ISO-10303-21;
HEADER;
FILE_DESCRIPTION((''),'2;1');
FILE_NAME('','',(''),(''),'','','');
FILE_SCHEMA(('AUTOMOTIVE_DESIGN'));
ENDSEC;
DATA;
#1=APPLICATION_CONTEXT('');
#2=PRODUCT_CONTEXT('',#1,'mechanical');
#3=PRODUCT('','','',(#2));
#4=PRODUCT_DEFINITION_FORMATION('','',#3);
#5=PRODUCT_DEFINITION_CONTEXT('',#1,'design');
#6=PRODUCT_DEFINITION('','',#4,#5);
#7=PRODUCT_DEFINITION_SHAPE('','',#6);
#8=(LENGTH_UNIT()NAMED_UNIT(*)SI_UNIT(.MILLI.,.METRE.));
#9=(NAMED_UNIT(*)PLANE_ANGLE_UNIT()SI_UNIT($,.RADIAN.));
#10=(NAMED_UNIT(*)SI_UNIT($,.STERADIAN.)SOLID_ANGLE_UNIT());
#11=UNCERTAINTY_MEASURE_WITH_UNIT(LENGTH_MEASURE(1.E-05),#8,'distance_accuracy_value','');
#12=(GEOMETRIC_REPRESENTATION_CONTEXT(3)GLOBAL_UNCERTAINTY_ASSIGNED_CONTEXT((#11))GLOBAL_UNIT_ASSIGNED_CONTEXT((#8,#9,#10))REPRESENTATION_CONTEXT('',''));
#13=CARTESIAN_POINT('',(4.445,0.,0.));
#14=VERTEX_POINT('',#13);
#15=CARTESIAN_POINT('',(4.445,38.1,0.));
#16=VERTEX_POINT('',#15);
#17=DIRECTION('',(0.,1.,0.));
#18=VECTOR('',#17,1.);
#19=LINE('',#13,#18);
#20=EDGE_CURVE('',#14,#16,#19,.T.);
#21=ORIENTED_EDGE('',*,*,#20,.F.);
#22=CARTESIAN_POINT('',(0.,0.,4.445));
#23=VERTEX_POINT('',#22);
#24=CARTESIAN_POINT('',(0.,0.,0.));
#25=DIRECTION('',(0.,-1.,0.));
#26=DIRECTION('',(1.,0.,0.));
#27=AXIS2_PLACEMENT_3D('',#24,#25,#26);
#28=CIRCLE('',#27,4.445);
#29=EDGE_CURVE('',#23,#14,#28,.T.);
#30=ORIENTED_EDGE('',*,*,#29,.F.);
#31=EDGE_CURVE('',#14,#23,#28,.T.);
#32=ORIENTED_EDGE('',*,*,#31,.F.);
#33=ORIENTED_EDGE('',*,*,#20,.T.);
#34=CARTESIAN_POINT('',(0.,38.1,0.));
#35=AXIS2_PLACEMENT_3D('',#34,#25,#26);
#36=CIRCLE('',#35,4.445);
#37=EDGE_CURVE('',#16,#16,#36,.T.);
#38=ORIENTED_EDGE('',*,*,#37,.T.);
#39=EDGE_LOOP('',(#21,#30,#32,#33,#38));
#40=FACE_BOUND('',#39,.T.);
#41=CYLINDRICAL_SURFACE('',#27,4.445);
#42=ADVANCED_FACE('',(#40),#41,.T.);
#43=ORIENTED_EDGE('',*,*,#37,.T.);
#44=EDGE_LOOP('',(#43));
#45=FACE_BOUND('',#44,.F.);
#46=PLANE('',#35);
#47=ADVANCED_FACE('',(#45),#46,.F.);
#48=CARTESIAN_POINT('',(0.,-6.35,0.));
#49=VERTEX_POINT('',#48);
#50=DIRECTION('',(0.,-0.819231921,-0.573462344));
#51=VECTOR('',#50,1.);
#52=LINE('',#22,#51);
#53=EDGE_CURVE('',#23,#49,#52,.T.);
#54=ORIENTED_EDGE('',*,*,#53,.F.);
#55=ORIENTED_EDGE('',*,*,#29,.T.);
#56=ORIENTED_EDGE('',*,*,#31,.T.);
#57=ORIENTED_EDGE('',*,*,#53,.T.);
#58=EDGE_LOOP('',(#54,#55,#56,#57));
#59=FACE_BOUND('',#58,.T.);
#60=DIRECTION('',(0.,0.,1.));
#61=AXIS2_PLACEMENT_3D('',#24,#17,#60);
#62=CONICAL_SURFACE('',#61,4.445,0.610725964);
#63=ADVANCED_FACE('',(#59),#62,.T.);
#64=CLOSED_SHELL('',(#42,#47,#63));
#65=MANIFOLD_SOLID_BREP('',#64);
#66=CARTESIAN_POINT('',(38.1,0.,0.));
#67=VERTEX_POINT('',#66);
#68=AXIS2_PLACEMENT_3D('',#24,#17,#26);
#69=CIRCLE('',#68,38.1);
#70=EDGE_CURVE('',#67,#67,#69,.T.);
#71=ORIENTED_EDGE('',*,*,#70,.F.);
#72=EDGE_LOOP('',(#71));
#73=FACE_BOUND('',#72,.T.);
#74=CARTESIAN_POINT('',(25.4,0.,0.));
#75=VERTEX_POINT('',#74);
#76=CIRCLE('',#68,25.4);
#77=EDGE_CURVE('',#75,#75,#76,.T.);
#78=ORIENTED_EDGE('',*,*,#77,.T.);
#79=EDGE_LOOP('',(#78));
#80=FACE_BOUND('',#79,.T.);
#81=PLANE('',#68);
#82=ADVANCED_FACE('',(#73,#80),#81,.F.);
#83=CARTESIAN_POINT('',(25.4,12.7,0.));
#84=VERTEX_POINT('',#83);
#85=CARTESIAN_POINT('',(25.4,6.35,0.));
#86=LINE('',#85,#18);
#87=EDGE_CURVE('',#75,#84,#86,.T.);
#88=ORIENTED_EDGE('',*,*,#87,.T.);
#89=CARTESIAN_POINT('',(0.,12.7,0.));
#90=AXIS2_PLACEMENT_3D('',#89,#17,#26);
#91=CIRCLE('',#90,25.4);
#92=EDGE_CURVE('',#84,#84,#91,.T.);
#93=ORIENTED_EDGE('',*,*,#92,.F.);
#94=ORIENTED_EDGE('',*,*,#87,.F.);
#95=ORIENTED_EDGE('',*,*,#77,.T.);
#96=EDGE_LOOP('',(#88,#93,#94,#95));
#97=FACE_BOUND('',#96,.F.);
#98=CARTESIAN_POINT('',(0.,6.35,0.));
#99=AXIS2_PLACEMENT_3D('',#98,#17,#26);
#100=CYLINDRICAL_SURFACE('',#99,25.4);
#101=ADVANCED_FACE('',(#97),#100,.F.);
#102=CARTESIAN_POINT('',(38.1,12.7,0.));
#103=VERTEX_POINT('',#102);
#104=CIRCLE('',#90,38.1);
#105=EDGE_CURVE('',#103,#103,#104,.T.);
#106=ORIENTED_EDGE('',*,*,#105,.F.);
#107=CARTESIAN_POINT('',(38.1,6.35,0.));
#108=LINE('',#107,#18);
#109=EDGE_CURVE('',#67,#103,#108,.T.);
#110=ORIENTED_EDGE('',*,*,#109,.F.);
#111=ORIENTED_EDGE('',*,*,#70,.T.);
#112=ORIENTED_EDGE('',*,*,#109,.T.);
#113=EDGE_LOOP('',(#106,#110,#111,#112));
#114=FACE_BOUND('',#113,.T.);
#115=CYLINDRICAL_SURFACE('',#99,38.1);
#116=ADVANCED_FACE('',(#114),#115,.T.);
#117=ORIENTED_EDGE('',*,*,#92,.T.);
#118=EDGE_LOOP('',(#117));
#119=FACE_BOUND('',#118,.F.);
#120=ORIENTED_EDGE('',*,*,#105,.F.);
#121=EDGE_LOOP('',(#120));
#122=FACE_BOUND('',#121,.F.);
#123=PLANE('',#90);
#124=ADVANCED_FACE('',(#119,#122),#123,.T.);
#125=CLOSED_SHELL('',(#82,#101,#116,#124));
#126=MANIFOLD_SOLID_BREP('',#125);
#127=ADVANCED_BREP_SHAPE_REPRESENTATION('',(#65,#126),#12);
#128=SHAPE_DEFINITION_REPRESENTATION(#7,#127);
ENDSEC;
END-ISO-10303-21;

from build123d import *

# Parameters (mm, degrees)
F0_W     = 12.7
F0_H     = 12.7
F2_R     = 4.445
F3_DEPTH = 38.1


with BuildPart() as f1:
    # F0 (on Top) → F1 (revolve)
    with BuildSketch(Plane.XY):
        with Locations((31.75, 6.35)):
            Rectangle(F0_W, F0_H)
    revolve(axis=Axis((0, 27.467201, 0), (0, 1, 0)))


with BuildPart() as f3:
    # F2 (on Front) → F3 (new body)
    with BuildSketch(Plane.XZ):
        Circle(F2_R)
    extrude(amount=-F3_DEPTH)

    # F4 (on Right) → F5 (revolve)
    with BuildSketch(Plane.YZ):
        Polygon((-6.35, 0), (0, 0), (0, 4.445), align=None)
    revolve(axis=Axis((0, -21.669375, 0), (0, -1, 0)))


solid = Compound([f1.part, f3.part])
